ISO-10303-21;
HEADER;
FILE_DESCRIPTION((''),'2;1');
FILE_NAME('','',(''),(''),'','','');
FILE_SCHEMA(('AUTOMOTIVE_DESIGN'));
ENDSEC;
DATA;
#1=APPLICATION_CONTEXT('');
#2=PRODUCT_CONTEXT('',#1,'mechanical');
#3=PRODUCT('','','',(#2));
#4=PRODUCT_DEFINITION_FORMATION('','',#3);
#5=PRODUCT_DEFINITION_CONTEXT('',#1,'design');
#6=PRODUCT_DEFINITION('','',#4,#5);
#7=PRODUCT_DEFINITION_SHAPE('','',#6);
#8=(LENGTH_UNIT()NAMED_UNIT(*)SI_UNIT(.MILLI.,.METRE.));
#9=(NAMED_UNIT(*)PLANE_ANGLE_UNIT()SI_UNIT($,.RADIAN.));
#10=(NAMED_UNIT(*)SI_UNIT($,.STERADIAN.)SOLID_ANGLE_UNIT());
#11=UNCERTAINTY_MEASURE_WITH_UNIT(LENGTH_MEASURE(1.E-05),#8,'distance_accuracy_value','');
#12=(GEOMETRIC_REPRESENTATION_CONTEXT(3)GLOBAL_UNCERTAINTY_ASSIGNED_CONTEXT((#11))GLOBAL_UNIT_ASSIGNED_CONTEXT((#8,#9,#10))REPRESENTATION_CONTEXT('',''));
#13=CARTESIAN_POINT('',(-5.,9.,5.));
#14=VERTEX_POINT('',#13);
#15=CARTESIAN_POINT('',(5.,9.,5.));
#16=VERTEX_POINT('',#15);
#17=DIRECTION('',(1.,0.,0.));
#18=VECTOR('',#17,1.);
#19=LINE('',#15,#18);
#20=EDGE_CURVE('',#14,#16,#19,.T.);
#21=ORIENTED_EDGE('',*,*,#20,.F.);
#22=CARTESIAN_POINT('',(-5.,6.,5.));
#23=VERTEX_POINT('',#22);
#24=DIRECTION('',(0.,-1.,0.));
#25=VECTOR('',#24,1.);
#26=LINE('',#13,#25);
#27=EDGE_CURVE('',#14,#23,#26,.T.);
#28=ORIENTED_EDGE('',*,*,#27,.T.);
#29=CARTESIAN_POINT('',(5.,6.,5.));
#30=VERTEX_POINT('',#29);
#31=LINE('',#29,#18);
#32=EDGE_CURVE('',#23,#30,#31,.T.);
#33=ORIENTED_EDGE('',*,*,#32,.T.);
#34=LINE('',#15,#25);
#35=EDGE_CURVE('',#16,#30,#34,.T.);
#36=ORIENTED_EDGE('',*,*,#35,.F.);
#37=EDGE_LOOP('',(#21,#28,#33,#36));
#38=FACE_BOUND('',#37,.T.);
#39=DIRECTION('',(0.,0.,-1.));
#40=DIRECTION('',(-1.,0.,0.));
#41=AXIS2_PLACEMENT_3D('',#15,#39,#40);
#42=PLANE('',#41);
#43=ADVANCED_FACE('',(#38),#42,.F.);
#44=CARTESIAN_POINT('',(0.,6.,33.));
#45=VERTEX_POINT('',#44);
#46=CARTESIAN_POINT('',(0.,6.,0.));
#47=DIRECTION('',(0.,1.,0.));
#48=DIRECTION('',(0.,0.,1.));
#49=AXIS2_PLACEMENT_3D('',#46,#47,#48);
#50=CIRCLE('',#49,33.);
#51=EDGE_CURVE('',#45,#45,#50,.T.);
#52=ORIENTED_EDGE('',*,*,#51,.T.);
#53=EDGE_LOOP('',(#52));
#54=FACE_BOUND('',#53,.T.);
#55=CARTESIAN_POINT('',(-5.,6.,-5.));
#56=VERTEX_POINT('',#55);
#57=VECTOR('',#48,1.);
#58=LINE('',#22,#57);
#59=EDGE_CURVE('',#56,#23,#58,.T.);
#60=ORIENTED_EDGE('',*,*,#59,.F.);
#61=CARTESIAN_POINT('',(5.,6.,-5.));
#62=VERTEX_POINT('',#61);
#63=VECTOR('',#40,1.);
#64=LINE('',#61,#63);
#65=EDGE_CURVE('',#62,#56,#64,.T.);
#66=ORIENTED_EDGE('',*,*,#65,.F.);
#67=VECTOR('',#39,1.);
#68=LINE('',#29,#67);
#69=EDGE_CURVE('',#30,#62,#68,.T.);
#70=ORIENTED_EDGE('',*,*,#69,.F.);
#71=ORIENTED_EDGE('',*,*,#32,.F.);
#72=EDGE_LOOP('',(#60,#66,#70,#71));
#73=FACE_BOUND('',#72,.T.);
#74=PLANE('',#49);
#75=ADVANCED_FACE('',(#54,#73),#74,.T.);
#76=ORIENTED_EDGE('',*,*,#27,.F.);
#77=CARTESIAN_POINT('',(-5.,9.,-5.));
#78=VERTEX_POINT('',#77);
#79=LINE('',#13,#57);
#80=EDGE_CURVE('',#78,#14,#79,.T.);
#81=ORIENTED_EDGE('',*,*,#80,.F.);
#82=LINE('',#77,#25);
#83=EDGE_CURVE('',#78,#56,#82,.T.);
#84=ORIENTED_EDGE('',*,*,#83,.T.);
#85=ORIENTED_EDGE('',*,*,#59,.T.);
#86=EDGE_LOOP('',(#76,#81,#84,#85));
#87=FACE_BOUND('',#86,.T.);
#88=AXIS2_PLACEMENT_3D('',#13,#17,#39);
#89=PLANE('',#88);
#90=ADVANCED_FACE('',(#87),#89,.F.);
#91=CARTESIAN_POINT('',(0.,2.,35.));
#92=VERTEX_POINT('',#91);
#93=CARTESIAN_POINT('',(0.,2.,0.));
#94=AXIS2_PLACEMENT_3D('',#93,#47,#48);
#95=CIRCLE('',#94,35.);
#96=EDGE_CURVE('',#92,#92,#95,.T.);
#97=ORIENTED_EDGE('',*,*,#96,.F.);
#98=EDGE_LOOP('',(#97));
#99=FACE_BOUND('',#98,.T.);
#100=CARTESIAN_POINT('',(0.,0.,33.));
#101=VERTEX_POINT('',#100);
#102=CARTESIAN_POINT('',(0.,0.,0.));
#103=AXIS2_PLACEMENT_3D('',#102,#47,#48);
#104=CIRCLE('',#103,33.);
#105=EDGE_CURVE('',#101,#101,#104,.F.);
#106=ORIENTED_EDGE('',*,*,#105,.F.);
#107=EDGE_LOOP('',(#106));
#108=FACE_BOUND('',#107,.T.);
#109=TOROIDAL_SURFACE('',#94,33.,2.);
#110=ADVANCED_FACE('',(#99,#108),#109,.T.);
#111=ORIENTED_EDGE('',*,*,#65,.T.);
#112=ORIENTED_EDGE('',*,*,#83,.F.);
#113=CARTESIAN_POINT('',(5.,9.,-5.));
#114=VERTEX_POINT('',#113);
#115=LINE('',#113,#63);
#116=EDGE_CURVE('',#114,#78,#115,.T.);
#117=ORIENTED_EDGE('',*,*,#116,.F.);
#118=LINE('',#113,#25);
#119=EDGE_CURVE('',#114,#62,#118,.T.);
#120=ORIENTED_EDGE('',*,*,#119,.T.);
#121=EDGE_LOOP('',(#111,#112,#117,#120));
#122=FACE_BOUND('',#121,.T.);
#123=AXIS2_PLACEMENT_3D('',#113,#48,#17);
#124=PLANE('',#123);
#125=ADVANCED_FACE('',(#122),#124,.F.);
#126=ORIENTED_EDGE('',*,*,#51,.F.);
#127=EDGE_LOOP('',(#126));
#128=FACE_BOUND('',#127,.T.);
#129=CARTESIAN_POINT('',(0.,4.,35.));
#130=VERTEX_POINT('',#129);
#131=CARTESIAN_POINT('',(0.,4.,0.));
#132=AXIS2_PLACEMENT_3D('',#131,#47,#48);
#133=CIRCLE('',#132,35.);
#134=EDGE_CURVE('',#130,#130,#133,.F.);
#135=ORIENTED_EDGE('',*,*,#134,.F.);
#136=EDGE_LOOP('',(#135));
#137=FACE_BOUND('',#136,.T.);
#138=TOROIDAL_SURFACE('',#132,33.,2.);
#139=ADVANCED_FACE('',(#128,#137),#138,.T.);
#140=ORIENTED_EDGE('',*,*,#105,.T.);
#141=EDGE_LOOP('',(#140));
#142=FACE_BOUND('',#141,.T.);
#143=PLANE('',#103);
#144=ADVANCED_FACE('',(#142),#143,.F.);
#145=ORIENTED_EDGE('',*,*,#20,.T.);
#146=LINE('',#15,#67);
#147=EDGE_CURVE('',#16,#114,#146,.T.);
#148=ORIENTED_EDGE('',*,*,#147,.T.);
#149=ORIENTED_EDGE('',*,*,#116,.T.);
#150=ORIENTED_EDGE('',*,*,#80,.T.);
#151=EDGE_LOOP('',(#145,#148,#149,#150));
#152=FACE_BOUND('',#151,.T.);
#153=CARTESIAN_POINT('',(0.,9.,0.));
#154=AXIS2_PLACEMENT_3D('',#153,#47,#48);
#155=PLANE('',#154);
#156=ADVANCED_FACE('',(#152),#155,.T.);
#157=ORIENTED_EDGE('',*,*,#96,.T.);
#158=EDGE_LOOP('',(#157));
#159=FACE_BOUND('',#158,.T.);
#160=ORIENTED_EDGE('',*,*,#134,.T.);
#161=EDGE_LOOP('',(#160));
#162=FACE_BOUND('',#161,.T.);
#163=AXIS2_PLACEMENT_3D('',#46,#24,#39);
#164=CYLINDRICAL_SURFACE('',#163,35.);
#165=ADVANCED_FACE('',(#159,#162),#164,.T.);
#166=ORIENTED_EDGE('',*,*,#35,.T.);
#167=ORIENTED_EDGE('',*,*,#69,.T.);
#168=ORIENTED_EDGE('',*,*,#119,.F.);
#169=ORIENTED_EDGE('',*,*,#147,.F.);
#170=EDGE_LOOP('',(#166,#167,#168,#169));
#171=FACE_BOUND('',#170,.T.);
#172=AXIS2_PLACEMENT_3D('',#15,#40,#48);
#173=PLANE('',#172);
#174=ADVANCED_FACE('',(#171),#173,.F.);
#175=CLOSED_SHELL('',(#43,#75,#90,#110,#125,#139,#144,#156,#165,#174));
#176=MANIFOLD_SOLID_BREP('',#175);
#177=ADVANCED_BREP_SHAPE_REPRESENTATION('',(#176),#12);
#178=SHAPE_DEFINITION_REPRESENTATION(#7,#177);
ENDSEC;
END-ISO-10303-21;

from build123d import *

# Parameters (mm, degrees)
SKETCH1_R           = 35
BOSS_EXTRUDE1_DEPTH = 6
FILLET2_R           = 2
SKETCH3_W           = 10
SKETCH3_H           = 10
BOSS_EXTRUDE3_DEPTH = 3


with BuildPart() as part:
    # Sketch1 → Boss-Extrude1 (new body)
    with BuildSketch(Plane(origin=(0, 0, 0), x_dir=(1, 0, 0), z_dir=(0, 1, 0))):
        with Locations(Location((0, 0, 0), (0, 0, 270))):
            Circle(SKETCH1_R)
    extrude(amount=BOSS_EXTRUDE1_DEPTH)

    # Fillet2
    fillet2_edges = [part.edges().sort_by_distance(p)[0] for p in [
        (0, 0, -35),
        (0, 6, -35),
    ]]
    fillet(fillet2_edges, radius=FILLET2_R)

    # Sketch3 → Boss-Extrude3 (add)
    with BuildSketch(Plane(origin=(0, 6, 0), x_dir=(1, 0, 0), z_dir=(0, 1, 0))):
        Rectangle(SKETCH3_W, SKETCH3_H)
    extrude(amount=BOSS_EXTRUDE3_DEPTH)


solid = part.part
